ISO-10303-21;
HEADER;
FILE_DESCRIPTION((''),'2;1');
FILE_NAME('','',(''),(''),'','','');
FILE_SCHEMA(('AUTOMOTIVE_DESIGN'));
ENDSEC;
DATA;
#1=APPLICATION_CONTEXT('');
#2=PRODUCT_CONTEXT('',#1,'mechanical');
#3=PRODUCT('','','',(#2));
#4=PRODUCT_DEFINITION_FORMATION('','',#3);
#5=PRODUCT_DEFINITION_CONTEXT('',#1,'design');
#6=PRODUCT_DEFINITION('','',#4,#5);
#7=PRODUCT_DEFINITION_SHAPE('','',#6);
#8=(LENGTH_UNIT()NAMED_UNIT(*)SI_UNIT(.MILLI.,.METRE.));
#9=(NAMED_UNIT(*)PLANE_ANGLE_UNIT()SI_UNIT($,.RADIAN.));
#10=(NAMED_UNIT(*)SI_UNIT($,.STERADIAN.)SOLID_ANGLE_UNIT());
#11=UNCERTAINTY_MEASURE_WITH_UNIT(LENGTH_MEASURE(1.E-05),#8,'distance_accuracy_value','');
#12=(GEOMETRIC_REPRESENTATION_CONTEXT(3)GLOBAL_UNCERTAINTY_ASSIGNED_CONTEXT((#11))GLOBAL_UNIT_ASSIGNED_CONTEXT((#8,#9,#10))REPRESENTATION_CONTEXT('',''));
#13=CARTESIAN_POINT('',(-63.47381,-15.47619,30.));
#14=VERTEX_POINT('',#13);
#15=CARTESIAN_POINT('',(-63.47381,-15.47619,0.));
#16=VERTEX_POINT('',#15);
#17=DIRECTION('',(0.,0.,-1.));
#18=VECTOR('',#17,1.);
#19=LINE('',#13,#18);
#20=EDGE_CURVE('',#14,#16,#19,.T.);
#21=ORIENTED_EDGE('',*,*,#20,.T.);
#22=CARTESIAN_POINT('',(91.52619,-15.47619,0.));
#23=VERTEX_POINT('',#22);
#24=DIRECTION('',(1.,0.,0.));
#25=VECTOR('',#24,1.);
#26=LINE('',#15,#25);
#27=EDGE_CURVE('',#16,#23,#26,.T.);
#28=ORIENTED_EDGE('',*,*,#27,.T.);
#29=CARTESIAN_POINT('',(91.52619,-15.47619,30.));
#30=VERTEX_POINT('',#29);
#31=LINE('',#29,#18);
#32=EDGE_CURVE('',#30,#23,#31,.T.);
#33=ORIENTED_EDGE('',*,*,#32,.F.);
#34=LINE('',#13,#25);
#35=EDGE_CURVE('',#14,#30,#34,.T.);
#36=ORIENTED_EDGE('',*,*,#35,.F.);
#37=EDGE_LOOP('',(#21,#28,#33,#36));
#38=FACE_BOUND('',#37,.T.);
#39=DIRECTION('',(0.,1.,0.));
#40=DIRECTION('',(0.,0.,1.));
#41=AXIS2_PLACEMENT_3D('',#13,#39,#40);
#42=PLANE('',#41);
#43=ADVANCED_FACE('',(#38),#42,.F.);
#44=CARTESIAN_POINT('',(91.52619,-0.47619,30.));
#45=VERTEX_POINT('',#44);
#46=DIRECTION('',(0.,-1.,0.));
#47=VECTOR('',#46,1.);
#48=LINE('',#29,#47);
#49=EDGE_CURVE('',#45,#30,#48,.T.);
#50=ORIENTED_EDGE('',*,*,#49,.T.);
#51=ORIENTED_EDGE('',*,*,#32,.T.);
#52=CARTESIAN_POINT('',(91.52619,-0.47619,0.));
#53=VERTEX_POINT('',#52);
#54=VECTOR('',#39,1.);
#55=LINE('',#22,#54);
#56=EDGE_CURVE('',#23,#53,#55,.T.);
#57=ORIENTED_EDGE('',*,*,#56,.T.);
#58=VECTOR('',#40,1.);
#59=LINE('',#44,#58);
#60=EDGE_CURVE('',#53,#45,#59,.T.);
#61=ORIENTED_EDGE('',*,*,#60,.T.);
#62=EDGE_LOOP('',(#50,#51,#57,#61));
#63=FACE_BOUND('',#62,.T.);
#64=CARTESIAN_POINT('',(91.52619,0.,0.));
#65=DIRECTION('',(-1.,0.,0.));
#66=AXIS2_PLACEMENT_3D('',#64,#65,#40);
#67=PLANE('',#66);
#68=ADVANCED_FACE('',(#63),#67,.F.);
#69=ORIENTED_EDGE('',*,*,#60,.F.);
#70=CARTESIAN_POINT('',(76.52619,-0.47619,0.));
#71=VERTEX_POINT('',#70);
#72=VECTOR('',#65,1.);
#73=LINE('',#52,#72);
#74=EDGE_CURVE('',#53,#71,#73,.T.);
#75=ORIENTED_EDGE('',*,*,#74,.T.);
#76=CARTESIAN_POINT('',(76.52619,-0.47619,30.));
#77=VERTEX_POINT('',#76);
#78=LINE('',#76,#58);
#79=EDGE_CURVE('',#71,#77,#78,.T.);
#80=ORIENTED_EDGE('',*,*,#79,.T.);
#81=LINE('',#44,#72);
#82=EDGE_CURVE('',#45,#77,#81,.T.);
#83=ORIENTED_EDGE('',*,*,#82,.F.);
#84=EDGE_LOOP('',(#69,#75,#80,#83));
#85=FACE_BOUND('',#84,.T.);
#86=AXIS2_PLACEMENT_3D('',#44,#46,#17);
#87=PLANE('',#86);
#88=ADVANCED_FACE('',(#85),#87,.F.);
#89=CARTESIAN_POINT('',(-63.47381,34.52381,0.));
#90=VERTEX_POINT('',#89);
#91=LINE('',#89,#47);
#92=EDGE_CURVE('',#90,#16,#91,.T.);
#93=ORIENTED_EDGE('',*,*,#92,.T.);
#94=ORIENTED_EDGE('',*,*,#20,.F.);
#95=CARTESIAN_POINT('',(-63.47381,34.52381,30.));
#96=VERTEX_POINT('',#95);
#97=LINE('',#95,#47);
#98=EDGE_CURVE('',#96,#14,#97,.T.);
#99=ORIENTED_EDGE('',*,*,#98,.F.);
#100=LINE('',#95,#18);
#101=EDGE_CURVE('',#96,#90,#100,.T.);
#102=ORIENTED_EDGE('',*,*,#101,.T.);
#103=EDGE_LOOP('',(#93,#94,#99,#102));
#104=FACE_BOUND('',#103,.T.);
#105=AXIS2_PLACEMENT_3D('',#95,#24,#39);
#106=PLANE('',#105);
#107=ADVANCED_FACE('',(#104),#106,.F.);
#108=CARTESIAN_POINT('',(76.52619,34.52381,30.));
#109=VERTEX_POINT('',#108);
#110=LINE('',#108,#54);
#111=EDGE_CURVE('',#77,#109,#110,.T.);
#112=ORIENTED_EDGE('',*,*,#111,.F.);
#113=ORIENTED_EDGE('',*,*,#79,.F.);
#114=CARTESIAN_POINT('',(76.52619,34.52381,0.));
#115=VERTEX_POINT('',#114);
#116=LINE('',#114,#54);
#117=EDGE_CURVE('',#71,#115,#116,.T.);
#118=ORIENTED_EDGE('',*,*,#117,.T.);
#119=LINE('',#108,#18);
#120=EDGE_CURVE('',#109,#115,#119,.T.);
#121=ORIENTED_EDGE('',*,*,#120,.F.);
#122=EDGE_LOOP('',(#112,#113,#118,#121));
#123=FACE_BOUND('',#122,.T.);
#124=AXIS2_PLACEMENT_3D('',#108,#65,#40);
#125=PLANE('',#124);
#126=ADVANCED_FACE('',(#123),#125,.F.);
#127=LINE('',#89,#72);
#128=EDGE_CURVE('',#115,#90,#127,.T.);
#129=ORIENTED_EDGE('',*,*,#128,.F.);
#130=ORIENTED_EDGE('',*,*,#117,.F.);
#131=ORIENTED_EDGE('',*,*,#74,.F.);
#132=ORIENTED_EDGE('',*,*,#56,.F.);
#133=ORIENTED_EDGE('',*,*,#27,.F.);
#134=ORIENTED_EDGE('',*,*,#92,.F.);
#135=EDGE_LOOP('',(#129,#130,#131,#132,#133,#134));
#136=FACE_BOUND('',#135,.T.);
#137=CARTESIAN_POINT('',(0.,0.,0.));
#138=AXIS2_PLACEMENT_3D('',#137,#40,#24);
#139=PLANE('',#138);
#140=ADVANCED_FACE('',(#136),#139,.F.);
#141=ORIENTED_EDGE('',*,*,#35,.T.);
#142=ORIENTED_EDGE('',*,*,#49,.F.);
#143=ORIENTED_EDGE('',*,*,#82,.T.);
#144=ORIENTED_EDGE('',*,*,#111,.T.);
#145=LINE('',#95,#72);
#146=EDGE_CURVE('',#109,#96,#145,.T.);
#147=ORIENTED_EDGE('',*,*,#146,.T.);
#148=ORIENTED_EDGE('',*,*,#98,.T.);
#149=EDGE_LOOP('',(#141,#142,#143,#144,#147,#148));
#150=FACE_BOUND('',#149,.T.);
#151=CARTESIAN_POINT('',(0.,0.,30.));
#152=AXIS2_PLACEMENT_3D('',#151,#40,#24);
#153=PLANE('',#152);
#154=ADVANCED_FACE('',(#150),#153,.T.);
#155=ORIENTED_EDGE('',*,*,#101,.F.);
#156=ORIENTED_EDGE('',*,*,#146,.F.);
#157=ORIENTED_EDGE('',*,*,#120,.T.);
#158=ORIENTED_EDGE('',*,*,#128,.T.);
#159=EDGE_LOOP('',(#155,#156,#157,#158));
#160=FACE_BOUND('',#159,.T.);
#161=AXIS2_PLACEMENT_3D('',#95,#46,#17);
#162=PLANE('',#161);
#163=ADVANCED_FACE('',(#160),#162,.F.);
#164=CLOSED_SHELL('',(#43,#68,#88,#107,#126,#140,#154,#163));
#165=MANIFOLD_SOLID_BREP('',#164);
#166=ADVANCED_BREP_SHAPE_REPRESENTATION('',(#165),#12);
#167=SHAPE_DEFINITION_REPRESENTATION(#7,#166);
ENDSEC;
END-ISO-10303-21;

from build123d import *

# Parameters (mm, degrees)
ESQUISSE1_W        = 140
ESQUISSE1_H        = 50
BOSS_EXTRU_1_DEPTH = 30
ESQUISSE3_W        = 30
ESQUISSE3_H        = 15
BOSS_EXTRU_2_DEPTH = 15


with BuildPart() as part:
    # Esquisse1 → Boss.-Extru.1 (new body)
    with BuildSketch(Plane.XY):
        with Locations((6.526190476, 9.523809524)):
            Rectangle(ESQUISSE1_W, ESQUISSE1_H)
    extrude(amount=BOSS_EXTRU_1_DEPTH)

    # Esquisse3 → Boss.-Extru.2 (add)
    with BuildSketch(Plane(origin=(76.526190476, 0, 0), x_dir=(0, 0, -1), z_dir=(1, 0, 0))):
        with Locations((-15, -7.976190476)):
            Rectangle(ESQUISSE3_W, ESQUISSE3_H)
    extrude(amount=BOSS_EXTRU_2_DEPTH)


solid = part.part
